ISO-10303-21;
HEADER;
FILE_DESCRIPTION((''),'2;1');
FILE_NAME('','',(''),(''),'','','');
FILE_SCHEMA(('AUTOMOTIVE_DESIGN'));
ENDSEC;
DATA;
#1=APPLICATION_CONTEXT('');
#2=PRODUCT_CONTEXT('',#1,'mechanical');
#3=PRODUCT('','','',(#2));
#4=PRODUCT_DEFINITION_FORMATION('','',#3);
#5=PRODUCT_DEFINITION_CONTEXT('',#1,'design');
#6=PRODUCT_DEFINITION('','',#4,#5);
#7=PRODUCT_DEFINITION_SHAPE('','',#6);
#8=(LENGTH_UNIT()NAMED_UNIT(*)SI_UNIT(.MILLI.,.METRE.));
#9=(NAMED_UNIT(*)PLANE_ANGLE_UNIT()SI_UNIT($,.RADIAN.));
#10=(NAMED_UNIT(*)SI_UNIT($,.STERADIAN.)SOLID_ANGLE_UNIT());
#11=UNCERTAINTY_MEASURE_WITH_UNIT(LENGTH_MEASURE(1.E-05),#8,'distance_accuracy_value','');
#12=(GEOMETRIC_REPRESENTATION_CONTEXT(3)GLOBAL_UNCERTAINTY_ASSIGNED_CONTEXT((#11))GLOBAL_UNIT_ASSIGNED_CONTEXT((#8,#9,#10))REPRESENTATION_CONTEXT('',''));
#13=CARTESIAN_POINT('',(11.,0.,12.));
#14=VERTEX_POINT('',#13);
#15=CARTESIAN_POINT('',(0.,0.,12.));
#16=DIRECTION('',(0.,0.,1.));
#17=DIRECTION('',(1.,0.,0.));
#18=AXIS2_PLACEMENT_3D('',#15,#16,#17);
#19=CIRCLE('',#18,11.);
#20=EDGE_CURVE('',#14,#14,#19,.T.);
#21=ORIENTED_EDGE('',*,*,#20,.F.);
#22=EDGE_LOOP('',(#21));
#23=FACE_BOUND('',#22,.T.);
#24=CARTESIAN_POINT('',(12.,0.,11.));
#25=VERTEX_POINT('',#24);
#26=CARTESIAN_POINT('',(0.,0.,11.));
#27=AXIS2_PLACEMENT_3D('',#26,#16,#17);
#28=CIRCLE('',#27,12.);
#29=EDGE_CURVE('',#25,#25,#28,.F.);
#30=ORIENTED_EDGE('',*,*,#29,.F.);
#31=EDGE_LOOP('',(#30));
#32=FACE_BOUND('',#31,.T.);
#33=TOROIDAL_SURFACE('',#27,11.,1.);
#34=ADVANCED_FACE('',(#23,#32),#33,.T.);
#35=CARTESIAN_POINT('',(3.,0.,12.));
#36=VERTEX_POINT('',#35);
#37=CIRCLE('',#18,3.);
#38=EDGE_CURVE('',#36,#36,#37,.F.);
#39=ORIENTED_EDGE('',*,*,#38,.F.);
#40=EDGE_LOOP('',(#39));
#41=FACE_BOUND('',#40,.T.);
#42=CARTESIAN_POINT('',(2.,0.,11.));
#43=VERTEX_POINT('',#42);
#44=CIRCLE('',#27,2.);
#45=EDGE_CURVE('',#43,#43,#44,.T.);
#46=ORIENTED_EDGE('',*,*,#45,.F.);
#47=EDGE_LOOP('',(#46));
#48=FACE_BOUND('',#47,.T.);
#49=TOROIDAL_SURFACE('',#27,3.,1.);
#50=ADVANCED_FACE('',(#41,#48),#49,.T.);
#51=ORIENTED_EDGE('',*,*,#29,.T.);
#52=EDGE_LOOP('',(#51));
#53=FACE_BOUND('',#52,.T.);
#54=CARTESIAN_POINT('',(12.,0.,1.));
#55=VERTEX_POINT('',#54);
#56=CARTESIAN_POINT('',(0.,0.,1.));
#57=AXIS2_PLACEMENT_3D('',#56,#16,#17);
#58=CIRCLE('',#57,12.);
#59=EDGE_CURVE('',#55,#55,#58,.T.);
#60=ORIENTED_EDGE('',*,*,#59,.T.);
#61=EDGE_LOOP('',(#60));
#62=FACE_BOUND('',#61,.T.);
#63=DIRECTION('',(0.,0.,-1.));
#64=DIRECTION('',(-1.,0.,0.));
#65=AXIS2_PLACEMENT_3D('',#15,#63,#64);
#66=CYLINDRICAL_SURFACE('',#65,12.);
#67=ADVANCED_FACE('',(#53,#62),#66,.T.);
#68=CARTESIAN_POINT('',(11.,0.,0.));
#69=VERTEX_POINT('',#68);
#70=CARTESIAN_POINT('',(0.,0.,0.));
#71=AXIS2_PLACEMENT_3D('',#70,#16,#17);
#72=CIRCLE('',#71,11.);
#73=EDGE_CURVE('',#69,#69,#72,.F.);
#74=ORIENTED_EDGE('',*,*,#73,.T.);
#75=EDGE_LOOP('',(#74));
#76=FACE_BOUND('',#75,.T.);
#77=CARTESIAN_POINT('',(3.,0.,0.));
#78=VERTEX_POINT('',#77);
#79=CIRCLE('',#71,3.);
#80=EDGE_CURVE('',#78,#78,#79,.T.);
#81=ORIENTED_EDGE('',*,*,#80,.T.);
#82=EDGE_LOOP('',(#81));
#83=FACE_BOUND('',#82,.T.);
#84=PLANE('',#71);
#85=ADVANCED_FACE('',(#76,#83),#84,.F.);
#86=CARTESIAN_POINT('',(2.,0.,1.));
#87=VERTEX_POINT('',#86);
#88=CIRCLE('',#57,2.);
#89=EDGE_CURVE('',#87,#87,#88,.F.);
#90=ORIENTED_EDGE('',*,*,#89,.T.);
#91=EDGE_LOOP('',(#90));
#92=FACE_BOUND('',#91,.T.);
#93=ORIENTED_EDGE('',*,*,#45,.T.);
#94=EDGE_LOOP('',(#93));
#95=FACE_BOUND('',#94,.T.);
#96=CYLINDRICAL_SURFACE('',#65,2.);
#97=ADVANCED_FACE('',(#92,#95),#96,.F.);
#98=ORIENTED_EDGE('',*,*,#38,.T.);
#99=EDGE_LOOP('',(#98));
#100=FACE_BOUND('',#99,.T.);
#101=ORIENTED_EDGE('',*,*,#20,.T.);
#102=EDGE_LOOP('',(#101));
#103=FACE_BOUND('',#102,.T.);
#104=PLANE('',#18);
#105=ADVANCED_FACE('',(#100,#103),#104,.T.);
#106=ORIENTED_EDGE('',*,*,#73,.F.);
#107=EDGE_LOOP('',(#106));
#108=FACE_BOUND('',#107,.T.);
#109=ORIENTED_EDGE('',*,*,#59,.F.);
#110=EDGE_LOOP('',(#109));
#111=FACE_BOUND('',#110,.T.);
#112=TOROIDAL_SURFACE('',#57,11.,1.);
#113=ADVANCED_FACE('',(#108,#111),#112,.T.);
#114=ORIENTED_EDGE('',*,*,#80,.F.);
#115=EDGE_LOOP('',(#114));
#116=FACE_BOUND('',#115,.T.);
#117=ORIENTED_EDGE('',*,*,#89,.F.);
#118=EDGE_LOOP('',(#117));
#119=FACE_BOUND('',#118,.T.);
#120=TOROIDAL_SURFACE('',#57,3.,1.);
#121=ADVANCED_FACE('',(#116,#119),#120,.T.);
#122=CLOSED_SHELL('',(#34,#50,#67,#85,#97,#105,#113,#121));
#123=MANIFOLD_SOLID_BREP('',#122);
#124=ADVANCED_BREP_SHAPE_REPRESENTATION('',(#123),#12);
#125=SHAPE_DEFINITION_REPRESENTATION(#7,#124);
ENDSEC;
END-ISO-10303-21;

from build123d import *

# Parameters (mm, degrees)
SKETCH_1_R          = 12
EXTRUDE_1_DEPTH     = 12
FILLET_1_R          = 1
SKETCH_2_R          = 2
CUT_EXTRUDE_1_DEPTH = 12
FILLET_2_R          = 1


with BuildPart() as part:
    # 草图1 → 凸台-拉伸1 (new body)
    with BuildSketch(Plane.XY):
        Circle(SKETCH_1_R)
    extrude(amount=EXTRUDE_1_DEPTH)

    # 圆角1
    fillet_1_edges = [part.edges().sort_by_distance(p)[0] for p in [
        (-12, 0, 0),
        (-12, 0, 12),
    ]]
    fillet(fillet_1_edges, radius=FILLET_1_R)

    # 草图2 → 切除-拉伸1 (cut)
    with BuildSketch(Plane(origin=(0, 0, 0), x_dir=(-1, 0, 0), z_dir=(0, 0, -1))):
        Circle(SKETCH_2_R)
    extrude(amount=-CUT_EXTRUDE_1_DEPTH, mode=Mode.SUBTRACT)

    # 圆角2
    fillet_2_edges = [part.edges().sort_by_distance(p)[0] for p in [
        (2, 0, 12),
        (2, 0, 0),
    ]]
    fillet(fillet_2_edges, radius=FILLET_2_R)


solid = part.part
